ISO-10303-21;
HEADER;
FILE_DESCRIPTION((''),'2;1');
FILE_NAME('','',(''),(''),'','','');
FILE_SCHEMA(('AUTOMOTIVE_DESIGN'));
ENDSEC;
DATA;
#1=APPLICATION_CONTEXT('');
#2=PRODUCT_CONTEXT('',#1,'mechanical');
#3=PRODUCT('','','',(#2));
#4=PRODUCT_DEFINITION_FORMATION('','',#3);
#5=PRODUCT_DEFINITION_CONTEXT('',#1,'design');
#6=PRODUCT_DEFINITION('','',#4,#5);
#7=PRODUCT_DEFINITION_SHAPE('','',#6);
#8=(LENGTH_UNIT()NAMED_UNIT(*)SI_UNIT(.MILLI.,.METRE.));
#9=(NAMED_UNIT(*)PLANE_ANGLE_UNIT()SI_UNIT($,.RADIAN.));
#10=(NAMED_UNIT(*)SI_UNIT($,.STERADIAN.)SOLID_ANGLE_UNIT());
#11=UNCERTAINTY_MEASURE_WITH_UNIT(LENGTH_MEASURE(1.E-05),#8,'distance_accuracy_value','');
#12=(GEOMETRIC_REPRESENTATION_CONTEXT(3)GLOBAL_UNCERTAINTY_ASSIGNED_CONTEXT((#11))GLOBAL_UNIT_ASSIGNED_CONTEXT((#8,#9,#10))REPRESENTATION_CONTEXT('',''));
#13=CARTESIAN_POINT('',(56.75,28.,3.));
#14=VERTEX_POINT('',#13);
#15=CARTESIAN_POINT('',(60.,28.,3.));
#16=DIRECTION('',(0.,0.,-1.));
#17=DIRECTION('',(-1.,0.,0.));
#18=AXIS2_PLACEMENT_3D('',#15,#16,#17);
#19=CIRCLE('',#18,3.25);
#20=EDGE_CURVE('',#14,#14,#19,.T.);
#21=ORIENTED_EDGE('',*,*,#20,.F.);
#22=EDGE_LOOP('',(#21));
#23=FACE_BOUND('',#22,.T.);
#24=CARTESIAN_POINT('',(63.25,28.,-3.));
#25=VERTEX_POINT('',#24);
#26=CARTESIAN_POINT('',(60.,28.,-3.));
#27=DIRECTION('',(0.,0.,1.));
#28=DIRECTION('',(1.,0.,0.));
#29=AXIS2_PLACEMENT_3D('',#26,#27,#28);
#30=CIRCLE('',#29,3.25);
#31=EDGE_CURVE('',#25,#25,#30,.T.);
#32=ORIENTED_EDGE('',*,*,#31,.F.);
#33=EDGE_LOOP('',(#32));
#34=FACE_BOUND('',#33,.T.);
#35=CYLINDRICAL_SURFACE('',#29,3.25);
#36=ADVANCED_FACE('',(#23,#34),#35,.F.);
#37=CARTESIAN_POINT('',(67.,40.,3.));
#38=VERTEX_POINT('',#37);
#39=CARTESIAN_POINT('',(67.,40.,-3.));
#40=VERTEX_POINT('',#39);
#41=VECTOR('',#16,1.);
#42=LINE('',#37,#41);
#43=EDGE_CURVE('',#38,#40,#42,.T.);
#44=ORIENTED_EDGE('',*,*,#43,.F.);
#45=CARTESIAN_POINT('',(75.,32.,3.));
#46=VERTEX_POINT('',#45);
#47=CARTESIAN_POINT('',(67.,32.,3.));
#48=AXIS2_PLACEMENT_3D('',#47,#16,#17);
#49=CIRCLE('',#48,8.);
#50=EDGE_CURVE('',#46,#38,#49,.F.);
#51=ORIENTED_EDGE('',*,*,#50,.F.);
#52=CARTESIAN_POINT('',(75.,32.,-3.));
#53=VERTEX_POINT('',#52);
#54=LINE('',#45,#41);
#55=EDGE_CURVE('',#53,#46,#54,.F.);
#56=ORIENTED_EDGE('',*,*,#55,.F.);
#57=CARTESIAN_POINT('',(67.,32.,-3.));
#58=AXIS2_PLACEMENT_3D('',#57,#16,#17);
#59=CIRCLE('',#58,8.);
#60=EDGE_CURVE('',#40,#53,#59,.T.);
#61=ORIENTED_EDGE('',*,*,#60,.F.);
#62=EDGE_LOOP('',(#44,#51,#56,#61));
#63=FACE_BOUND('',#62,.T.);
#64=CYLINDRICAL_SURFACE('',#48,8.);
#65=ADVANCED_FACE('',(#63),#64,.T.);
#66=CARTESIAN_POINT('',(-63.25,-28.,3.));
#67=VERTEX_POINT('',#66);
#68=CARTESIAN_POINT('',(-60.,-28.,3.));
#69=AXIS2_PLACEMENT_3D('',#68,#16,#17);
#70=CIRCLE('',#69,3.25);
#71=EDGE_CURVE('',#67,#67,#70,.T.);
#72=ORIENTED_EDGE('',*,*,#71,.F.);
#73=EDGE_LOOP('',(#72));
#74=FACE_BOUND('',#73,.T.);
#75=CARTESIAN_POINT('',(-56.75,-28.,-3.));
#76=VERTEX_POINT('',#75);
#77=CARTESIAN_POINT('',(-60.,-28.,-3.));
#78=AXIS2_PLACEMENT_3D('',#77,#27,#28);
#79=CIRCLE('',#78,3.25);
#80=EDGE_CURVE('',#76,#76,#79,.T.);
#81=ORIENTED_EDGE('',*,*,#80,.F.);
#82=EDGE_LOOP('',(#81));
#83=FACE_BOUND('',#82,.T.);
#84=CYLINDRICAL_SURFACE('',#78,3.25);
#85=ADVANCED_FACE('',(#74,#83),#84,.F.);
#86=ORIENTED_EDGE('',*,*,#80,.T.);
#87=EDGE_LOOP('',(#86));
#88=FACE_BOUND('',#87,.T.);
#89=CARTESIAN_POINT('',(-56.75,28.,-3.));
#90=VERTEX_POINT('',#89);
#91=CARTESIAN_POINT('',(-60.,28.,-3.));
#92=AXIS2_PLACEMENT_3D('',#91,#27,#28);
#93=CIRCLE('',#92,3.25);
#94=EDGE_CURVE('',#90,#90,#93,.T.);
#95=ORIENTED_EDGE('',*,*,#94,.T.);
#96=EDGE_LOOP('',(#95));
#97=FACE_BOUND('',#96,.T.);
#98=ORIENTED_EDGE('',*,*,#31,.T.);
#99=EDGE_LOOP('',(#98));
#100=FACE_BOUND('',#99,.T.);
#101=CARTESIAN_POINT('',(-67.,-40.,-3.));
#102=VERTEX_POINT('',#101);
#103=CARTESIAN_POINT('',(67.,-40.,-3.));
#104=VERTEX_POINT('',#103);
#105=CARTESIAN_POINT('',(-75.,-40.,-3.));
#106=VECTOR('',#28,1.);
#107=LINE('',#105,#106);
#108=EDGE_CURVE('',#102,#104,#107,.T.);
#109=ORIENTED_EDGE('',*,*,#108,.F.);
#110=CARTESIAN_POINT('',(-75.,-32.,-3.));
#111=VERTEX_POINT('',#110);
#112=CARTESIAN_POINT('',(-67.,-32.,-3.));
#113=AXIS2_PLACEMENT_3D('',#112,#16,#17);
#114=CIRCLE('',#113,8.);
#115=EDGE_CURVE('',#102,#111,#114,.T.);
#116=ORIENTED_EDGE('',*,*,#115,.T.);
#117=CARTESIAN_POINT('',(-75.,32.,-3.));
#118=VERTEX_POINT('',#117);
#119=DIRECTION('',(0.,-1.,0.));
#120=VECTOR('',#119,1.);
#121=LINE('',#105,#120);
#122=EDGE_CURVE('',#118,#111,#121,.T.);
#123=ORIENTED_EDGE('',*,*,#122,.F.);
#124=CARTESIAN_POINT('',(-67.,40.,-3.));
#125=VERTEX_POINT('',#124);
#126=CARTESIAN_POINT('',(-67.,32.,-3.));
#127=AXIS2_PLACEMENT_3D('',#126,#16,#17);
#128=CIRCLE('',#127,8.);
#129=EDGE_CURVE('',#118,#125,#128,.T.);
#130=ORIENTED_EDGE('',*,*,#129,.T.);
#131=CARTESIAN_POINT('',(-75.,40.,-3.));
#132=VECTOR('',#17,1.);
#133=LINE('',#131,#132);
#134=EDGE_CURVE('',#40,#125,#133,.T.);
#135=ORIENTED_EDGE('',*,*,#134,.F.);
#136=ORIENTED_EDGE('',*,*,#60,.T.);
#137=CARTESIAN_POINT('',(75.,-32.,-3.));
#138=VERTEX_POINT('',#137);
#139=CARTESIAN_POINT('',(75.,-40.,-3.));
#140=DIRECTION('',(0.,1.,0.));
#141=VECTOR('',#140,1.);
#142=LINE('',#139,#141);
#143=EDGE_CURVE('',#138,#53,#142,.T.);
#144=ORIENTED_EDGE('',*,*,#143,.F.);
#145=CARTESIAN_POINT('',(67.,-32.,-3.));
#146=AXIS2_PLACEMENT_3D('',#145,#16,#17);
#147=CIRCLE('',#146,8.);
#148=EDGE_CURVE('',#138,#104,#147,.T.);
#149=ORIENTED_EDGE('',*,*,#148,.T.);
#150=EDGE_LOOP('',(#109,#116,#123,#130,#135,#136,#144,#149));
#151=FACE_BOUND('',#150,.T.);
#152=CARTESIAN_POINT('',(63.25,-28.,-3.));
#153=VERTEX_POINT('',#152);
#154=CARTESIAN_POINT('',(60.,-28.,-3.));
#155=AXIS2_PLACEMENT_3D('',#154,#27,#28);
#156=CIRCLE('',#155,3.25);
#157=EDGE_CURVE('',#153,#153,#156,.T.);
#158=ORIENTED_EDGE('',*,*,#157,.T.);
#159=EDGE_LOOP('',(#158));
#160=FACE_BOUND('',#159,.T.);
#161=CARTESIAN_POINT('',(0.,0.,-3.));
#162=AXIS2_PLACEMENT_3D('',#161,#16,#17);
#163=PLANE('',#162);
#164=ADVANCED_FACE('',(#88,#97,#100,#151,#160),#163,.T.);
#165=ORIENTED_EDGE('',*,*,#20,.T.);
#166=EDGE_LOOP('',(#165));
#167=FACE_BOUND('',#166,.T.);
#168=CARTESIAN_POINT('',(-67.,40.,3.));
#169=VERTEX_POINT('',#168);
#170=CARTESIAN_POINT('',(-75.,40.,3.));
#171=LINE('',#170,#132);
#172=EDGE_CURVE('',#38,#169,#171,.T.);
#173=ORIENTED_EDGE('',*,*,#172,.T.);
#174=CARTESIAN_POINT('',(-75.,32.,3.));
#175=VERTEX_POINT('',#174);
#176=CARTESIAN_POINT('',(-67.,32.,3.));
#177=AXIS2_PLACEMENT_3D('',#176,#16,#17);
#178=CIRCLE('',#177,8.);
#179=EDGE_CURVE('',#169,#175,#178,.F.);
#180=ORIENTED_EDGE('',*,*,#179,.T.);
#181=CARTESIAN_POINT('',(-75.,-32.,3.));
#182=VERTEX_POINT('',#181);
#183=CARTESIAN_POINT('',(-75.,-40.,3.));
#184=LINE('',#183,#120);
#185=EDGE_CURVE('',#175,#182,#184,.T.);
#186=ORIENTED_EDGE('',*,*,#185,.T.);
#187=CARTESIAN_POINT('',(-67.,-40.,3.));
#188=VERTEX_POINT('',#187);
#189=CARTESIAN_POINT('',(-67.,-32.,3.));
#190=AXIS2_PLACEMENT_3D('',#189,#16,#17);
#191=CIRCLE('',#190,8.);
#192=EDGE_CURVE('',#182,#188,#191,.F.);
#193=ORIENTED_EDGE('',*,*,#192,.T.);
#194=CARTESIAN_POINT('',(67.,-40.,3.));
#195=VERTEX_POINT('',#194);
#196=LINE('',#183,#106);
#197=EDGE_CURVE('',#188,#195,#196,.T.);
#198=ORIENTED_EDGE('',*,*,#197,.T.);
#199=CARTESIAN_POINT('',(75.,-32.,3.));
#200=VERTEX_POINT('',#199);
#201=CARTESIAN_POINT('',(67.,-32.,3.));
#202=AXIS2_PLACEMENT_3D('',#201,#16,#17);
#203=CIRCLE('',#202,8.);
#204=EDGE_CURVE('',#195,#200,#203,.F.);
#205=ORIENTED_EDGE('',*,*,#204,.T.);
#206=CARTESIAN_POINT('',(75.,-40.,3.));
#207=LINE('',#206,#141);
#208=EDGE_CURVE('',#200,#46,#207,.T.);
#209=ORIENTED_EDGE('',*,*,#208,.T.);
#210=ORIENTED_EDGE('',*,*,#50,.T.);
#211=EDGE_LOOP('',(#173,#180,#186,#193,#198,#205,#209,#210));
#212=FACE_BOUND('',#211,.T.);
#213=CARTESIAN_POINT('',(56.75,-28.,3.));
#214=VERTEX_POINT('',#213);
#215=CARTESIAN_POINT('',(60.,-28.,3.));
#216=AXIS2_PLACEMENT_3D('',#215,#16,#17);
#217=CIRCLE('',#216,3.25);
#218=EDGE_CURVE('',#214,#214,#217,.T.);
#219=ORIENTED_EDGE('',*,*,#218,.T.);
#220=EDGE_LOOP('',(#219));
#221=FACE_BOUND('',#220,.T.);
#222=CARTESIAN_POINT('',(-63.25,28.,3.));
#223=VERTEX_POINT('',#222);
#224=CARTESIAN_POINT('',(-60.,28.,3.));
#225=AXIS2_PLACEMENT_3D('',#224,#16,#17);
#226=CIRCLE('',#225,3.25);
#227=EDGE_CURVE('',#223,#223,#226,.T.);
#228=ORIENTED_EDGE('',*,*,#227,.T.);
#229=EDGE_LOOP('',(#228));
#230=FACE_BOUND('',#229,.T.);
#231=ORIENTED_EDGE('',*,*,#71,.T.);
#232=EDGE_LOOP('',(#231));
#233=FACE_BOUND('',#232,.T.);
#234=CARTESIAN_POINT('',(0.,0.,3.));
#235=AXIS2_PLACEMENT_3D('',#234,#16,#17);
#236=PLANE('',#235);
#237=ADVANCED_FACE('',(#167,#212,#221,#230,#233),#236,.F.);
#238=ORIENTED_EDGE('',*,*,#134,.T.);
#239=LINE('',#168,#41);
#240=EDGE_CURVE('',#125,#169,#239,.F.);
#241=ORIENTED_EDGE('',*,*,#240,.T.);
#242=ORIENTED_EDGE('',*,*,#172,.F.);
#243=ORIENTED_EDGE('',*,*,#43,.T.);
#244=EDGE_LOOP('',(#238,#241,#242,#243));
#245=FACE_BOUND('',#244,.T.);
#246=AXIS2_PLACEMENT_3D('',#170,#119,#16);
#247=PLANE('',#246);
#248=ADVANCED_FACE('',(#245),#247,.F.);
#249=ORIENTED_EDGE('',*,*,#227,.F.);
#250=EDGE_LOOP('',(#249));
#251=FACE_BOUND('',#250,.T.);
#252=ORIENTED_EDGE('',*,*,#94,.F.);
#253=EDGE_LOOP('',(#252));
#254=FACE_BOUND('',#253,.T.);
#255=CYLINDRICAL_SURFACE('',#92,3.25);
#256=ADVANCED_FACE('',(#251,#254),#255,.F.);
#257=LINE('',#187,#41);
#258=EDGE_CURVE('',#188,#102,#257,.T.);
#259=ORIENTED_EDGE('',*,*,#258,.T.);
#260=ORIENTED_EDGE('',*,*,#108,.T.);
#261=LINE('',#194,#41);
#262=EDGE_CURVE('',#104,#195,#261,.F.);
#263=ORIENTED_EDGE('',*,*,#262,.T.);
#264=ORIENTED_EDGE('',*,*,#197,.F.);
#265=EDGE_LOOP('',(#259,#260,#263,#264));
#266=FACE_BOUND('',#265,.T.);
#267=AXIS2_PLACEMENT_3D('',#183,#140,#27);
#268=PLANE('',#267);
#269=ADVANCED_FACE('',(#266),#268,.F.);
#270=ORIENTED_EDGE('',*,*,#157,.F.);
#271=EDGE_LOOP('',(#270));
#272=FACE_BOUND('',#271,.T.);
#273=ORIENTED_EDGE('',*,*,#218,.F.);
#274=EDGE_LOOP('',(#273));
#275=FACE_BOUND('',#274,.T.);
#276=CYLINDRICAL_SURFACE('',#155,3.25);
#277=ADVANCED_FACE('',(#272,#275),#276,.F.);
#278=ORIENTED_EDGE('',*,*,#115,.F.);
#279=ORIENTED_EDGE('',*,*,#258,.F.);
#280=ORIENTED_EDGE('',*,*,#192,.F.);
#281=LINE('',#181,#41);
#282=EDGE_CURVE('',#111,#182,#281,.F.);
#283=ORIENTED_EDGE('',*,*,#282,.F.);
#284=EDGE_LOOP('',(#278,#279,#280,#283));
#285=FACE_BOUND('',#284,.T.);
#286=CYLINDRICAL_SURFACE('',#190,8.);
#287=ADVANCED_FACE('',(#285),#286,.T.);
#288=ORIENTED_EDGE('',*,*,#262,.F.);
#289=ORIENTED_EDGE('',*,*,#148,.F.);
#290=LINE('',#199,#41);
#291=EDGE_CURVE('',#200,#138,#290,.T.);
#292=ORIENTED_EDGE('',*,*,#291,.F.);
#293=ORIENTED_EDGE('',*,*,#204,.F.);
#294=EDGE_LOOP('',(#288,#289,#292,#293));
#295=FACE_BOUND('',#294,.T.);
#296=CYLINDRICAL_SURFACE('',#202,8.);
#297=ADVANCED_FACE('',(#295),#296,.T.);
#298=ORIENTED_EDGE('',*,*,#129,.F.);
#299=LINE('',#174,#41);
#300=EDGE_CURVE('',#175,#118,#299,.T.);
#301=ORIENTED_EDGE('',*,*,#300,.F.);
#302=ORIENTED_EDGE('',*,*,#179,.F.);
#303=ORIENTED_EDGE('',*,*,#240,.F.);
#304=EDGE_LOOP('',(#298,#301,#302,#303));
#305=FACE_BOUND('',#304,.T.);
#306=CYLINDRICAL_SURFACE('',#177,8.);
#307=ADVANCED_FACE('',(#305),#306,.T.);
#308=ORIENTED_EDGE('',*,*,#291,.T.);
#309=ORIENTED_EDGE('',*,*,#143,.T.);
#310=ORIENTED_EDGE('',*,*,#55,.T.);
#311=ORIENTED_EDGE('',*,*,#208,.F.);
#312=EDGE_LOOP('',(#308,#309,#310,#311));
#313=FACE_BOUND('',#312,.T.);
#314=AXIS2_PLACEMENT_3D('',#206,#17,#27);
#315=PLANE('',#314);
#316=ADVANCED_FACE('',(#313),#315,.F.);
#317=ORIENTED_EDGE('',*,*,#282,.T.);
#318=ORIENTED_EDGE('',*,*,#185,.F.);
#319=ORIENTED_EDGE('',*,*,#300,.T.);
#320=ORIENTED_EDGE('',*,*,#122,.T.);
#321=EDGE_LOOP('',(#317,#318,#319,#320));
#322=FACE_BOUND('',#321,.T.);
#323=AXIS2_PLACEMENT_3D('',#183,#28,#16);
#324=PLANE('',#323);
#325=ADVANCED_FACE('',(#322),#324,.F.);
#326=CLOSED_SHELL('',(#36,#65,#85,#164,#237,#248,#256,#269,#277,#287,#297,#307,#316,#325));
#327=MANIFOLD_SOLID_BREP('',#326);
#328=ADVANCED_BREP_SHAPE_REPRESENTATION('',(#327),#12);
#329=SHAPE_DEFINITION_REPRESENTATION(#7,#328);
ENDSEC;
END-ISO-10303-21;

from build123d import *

# Parameters (mm, degrees)
SKETCH2_W               = 150
SKETCH2_H               = 80
BOSS_EXTRUDE1_DEPTH     = 3
CUT_EXTRUDE1_DEPTH      = 86.211501571
CUT_EXTRUDE1_DEPTH_BACK = 86.211501571
SKETCH3_R               = 3.25
FILLET2_R               = 8


with BuildPart() as part:
    # Sketch2 → Boss-Extrude1 (new, symmetric)
    with BuildSketch(Plane.XY):
        Rectangle(SKETCH2_W, SKETCH2_H)
    extrude(amount=BOSS_EXTRUDE1_DEPTH, both=True)

    # Sketch3 → Cut-Extrude1 (cut, two sides: drawn at the far end of the back side and taken through both)
    with BuildSketch(Plane.XY.offset(3).offset(-CUT_EXTRUDE1_DEPTH_BACK)):
        with Locations((-60, 28)):
            Circle(SKETCH3_R)
        with Locations((-60, -28)):
            Circle(SKETCH3_R)
        with Locations((60, -28)):
            Circle(SKETCH3_R)
        with Locations((60, 28)):
            Circle(SKETCH3_R)
    extrude(amount=CUT_EXTRUDE1_DEPTH + CUT_EXTRUDE1_DEPTH_BACK, mode=Mode.SUBTRACT)

    # Fillet2
    fillet2_edges = [part.edges().sort_by_distance(p)[0] for p in [
        (75, -40, 0),
        (-75, -40, 0),
        (-75, 40, 0),
        (75, 40, 0),
    ]]
    fillet(fillet2_edges, radius=FILLET2_R)


solid = part.part
